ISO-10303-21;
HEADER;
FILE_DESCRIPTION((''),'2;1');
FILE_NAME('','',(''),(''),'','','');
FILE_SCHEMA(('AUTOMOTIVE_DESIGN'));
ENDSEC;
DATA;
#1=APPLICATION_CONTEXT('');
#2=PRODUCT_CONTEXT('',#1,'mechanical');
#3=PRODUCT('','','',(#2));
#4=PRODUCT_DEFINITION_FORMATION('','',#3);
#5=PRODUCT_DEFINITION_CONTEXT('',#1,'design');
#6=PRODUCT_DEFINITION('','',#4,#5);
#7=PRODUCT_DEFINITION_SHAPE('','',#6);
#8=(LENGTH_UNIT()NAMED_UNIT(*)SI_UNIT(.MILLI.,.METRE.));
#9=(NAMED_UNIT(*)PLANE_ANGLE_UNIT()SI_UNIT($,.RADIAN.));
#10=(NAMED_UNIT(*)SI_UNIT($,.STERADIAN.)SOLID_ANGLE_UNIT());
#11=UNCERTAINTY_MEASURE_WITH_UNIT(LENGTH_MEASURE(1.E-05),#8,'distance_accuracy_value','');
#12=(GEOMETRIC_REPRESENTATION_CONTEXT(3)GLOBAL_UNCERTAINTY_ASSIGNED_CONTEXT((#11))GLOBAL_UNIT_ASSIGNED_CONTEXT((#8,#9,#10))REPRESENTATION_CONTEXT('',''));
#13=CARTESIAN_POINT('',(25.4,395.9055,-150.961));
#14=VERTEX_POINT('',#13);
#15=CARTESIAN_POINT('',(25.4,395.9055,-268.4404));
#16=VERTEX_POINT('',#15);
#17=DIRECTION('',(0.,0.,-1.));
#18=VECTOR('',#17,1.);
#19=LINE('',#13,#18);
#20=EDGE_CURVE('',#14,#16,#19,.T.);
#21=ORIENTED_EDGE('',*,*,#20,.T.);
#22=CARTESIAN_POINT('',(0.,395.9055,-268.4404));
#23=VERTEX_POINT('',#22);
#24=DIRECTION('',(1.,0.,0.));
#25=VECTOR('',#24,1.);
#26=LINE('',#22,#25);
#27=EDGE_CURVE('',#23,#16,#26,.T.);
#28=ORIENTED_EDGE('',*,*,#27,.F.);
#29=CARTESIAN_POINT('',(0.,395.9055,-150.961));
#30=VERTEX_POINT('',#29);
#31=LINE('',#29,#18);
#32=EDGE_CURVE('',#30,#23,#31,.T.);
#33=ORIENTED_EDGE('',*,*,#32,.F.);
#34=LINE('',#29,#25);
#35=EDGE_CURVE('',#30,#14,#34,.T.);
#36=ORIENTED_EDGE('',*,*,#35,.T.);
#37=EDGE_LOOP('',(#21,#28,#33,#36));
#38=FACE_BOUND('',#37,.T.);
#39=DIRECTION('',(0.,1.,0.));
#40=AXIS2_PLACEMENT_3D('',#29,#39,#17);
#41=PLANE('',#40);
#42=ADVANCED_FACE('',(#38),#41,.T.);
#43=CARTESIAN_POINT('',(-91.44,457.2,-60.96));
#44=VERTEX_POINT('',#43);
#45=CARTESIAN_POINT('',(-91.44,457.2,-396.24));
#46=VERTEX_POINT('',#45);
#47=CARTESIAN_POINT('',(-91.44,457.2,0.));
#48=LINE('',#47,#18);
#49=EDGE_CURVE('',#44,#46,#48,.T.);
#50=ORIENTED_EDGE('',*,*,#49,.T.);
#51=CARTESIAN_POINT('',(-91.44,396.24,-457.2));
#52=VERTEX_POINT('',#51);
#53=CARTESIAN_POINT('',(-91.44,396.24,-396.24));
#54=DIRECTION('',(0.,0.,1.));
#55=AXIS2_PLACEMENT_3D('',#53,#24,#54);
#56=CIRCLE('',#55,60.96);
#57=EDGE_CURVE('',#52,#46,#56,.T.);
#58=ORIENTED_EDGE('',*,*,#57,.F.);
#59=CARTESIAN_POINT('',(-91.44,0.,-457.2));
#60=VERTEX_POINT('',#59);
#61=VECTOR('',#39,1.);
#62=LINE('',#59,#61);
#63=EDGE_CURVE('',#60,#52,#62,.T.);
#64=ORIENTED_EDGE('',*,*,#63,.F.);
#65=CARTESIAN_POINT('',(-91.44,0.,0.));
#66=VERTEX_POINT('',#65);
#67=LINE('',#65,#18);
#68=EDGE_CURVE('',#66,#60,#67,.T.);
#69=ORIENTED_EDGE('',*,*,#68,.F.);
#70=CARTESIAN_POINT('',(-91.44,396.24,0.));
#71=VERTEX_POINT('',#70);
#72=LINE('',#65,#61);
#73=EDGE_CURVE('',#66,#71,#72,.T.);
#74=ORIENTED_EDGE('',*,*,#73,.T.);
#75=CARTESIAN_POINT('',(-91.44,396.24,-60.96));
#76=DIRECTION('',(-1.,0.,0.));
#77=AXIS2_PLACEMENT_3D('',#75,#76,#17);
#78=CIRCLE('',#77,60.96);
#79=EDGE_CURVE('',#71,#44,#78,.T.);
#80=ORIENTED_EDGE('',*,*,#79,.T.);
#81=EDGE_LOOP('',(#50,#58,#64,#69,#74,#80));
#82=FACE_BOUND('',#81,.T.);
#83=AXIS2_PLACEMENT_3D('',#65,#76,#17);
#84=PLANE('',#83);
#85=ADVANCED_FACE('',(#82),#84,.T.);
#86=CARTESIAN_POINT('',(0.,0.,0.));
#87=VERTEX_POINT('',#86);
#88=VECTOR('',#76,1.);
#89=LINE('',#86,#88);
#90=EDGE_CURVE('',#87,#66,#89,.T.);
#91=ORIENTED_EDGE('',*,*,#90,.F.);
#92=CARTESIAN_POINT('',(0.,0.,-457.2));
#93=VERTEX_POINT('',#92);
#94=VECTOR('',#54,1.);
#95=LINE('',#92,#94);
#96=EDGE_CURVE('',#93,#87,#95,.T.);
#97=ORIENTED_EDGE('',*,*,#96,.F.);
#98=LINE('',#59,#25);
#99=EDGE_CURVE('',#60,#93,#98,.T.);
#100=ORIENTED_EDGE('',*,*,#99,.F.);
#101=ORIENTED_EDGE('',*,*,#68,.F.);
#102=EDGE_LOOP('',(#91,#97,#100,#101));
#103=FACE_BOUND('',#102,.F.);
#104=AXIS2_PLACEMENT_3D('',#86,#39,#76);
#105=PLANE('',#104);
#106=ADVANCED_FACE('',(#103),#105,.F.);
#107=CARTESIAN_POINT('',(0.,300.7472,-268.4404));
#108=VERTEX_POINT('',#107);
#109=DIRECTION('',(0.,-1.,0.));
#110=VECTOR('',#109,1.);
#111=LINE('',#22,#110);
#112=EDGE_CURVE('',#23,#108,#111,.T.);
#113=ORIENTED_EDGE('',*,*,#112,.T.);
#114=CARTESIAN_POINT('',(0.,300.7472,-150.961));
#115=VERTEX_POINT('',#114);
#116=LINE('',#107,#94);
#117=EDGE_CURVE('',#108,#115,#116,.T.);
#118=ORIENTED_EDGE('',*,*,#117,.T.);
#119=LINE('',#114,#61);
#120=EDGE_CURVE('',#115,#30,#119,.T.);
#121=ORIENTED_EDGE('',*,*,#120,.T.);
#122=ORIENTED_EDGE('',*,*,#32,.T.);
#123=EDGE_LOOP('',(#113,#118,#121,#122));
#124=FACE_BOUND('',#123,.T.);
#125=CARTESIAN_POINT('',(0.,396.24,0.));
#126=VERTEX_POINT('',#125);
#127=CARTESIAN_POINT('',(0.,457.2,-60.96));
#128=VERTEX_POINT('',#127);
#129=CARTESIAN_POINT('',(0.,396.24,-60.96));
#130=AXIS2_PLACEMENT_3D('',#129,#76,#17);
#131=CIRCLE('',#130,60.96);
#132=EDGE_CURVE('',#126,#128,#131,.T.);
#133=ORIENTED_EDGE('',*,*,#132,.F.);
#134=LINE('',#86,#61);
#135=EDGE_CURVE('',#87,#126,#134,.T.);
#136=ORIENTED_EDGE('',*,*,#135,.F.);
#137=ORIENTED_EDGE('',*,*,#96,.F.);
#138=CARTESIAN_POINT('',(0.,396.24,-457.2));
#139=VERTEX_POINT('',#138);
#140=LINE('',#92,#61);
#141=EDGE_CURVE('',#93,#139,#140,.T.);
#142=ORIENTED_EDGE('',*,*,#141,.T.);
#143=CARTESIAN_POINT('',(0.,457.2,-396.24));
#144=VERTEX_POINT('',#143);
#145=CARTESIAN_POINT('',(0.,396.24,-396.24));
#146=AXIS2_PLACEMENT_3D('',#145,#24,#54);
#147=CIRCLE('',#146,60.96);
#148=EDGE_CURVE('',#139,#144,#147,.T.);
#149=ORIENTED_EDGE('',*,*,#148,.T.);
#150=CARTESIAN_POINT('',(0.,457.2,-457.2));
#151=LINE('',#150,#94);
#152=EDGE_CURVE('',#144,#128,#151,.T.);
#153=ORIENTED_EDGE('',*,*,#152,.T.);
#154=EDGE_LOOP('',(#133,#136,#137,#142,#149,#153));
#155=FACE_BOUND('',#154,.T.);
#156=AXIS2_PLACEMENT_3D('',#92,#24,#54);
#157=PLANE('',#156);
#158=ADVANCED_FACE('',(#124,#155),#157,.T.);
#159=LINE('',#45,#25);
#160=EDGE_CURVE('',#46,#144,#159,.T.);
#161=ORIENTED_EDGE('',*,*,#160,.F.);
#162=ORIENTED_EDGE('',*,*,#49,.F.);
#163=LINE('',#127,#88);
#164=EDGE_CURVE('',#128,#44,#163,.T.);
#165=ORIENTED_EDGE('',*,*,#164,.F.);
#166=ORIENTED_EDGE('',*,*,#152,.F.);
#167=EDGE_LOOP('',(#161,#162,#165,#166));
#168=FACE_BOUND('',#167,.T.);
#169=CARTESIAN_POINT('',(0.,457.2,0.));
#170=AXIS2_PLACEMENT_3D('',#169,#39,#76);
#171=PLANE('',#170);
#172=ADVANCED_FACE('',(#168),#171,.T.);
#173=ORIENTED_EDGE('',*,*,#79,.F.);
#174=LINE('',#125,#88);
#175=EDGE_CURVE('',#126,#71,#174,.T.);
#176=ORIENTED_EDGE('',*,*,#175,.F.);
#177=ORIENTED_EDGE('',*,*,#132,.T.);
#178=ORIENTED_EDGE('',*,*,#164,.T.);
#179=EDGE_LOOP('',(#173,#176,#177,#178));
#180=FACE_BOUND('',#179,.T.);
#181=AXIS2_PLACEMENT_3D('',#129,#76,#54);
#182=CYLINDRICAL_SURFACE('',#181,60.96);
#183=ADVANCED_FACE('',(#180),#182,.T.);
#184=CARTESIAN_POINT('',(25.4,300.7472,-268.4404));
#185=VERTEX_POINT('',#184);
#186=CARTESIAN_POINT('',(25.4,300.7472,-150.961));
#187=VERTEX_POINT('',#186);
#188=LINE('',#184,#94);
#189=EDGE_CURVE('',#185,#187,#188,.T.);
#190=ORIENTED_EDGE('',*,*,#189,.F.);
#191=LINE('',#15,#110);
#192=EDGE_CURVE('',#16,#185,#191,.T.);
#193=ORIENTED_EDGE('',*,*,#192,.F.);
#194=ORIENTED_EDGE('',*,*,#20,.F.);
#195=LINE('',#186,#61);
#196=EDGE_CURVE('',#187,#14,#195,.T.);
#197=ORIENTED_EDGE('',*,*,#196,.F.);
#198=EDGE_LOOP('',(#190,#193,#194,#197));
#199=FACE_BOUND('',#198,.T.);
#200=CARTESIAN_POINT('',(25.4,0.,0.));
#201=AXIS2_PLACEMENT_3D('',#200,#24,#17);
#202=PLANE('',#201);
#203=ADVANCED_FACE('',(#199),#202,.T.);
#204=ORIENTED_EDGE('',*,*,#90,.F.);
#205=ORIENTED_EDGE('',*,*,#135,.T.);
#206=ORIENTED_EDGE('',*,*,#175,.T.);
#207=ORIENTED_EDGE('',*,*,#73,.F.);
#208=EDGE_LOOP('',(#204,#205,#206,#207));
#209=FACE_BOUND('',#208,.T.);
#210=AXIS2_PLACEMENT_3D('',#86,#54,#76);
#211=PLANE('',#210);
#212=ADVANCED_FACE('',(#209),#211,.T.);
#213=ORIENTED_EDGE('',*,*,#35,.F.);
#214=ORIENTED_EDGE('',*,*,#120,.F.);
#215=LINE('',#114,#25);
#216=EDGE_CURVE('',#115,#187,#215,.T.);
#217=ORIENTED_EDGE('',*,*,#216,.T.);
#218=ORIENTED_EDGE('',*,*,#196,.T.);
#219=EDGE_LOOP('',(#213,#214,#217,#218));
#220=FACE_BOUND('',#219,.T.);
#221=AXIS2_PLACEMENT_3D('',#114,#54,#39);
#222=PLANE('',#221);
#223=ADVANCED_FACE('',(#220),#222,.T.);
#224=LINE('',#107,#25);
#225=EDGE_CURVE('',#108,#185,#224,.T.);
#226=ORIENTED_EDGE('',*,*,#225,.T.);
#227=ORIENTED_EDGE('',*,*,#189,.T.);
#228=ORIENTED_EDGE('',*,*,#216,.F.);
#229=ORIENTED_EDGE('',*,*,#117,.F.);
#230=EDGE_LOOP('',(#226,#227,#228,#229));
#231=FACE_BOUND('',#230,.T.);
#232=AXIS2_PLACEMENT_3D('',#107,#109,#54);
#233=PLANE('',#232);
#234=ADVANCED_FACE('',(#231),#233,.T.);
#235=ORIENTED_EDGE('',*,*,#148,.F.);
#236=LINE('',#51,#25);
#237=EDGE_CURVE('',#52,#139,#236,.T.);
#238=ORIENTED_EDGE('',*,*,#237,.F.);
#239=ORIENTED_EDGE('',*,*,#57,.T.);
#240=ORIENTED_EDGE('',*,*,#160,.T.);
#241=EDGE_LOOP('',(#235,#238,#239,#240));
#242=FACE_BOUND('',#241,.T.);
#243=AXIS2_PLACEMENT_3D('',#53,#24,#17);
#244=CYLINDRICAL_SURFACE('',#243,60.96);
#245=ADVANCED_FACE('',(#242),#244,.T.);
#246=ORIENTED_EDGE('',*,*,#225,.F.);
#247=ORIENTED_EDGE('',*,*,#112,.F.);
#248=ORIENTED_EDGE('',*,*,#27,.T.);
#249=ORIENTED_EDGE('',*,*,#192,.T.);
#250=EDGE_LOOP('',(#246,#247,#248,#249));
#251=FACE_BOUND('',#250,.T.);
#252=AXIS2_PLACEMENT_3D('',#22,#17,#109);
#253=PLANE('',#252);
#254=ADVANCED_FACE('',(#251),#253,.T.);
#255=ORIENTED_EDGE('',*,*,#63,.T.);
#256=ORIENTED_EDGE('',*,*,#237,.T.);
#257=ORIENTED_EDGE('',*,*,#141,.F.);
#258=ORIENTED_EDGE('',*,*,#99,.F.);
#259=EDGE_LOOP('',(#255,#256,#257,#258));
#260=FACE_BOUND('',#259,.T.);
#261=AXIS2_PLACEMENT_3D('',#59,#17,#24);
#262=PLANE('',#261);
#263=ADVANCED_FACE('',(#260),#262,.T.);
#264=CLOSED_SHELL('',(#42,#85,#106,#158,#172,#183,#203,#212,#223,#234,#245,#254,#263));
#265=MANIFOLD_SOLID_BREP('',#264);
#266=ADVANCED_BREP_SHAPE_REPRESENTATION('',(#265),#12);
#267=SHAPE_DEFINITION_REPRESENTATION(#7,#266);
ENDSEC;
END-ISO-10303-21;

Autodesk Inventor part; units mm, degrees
ref_plane "YZ Plane" through (0, 0, 0) normal (1, 0, 0) x (0, 1, 0)
ref_plane "XZ Plane" through (0, 0, 0) normal (0, 1, 0) x (-1, 0, 0)
ref_plane "XY Plane" through (0, 0, 0) normal (0, 0, 1) x (1, 0, 0)
sketch "Sketch1" plane through (0, 0, 0) normal (1, 0, 0) x (0, 1, 0)
  point P0 (0, 0)
sketch "Sketch2" plane through (0, 0, 0) normal (0, 1, 0) x (-1, 0, 0)
  line L0 (0, 0) -> (91.44, 0)
  line L1 (91.44, 0) -> (91.44, -457.2)
  line L2 (91.44, -457.2) -> (0, -457.2)
  line L3 (0, -457.2) -> (0, 0)
  dimension "d0" = 91.44
  dimension "d1" = 457.2
extrude "Extrusion1" add sketch "Sketch2" along normal blind 457.2
fillet "Fillet1" radius 60.96 2 edges at (-45.72, 457.2, 0) (-45.72, 457.2, -457.2)
sketch "Sketch3" plane through (0, 0, 0) normal (1, 0, 0) x (0, 0, -1)
  line L0 (150.961, 395.9055) -> (268.4404, 395.9055)
  line L1 (268.4404, 395.9055) -> (268.4404, 300.7472)
  line L2 (268.4404, 300.7472) -> (150.961, 300.7472)
  line L3 (150.961, 300.7472) -> (150.961, 395.9055)
  point P0 (0, 0)
extrude "Extrusion2" add sketch "Sketch3" along normal blind 25.4
properties part number "new tal lpart"
